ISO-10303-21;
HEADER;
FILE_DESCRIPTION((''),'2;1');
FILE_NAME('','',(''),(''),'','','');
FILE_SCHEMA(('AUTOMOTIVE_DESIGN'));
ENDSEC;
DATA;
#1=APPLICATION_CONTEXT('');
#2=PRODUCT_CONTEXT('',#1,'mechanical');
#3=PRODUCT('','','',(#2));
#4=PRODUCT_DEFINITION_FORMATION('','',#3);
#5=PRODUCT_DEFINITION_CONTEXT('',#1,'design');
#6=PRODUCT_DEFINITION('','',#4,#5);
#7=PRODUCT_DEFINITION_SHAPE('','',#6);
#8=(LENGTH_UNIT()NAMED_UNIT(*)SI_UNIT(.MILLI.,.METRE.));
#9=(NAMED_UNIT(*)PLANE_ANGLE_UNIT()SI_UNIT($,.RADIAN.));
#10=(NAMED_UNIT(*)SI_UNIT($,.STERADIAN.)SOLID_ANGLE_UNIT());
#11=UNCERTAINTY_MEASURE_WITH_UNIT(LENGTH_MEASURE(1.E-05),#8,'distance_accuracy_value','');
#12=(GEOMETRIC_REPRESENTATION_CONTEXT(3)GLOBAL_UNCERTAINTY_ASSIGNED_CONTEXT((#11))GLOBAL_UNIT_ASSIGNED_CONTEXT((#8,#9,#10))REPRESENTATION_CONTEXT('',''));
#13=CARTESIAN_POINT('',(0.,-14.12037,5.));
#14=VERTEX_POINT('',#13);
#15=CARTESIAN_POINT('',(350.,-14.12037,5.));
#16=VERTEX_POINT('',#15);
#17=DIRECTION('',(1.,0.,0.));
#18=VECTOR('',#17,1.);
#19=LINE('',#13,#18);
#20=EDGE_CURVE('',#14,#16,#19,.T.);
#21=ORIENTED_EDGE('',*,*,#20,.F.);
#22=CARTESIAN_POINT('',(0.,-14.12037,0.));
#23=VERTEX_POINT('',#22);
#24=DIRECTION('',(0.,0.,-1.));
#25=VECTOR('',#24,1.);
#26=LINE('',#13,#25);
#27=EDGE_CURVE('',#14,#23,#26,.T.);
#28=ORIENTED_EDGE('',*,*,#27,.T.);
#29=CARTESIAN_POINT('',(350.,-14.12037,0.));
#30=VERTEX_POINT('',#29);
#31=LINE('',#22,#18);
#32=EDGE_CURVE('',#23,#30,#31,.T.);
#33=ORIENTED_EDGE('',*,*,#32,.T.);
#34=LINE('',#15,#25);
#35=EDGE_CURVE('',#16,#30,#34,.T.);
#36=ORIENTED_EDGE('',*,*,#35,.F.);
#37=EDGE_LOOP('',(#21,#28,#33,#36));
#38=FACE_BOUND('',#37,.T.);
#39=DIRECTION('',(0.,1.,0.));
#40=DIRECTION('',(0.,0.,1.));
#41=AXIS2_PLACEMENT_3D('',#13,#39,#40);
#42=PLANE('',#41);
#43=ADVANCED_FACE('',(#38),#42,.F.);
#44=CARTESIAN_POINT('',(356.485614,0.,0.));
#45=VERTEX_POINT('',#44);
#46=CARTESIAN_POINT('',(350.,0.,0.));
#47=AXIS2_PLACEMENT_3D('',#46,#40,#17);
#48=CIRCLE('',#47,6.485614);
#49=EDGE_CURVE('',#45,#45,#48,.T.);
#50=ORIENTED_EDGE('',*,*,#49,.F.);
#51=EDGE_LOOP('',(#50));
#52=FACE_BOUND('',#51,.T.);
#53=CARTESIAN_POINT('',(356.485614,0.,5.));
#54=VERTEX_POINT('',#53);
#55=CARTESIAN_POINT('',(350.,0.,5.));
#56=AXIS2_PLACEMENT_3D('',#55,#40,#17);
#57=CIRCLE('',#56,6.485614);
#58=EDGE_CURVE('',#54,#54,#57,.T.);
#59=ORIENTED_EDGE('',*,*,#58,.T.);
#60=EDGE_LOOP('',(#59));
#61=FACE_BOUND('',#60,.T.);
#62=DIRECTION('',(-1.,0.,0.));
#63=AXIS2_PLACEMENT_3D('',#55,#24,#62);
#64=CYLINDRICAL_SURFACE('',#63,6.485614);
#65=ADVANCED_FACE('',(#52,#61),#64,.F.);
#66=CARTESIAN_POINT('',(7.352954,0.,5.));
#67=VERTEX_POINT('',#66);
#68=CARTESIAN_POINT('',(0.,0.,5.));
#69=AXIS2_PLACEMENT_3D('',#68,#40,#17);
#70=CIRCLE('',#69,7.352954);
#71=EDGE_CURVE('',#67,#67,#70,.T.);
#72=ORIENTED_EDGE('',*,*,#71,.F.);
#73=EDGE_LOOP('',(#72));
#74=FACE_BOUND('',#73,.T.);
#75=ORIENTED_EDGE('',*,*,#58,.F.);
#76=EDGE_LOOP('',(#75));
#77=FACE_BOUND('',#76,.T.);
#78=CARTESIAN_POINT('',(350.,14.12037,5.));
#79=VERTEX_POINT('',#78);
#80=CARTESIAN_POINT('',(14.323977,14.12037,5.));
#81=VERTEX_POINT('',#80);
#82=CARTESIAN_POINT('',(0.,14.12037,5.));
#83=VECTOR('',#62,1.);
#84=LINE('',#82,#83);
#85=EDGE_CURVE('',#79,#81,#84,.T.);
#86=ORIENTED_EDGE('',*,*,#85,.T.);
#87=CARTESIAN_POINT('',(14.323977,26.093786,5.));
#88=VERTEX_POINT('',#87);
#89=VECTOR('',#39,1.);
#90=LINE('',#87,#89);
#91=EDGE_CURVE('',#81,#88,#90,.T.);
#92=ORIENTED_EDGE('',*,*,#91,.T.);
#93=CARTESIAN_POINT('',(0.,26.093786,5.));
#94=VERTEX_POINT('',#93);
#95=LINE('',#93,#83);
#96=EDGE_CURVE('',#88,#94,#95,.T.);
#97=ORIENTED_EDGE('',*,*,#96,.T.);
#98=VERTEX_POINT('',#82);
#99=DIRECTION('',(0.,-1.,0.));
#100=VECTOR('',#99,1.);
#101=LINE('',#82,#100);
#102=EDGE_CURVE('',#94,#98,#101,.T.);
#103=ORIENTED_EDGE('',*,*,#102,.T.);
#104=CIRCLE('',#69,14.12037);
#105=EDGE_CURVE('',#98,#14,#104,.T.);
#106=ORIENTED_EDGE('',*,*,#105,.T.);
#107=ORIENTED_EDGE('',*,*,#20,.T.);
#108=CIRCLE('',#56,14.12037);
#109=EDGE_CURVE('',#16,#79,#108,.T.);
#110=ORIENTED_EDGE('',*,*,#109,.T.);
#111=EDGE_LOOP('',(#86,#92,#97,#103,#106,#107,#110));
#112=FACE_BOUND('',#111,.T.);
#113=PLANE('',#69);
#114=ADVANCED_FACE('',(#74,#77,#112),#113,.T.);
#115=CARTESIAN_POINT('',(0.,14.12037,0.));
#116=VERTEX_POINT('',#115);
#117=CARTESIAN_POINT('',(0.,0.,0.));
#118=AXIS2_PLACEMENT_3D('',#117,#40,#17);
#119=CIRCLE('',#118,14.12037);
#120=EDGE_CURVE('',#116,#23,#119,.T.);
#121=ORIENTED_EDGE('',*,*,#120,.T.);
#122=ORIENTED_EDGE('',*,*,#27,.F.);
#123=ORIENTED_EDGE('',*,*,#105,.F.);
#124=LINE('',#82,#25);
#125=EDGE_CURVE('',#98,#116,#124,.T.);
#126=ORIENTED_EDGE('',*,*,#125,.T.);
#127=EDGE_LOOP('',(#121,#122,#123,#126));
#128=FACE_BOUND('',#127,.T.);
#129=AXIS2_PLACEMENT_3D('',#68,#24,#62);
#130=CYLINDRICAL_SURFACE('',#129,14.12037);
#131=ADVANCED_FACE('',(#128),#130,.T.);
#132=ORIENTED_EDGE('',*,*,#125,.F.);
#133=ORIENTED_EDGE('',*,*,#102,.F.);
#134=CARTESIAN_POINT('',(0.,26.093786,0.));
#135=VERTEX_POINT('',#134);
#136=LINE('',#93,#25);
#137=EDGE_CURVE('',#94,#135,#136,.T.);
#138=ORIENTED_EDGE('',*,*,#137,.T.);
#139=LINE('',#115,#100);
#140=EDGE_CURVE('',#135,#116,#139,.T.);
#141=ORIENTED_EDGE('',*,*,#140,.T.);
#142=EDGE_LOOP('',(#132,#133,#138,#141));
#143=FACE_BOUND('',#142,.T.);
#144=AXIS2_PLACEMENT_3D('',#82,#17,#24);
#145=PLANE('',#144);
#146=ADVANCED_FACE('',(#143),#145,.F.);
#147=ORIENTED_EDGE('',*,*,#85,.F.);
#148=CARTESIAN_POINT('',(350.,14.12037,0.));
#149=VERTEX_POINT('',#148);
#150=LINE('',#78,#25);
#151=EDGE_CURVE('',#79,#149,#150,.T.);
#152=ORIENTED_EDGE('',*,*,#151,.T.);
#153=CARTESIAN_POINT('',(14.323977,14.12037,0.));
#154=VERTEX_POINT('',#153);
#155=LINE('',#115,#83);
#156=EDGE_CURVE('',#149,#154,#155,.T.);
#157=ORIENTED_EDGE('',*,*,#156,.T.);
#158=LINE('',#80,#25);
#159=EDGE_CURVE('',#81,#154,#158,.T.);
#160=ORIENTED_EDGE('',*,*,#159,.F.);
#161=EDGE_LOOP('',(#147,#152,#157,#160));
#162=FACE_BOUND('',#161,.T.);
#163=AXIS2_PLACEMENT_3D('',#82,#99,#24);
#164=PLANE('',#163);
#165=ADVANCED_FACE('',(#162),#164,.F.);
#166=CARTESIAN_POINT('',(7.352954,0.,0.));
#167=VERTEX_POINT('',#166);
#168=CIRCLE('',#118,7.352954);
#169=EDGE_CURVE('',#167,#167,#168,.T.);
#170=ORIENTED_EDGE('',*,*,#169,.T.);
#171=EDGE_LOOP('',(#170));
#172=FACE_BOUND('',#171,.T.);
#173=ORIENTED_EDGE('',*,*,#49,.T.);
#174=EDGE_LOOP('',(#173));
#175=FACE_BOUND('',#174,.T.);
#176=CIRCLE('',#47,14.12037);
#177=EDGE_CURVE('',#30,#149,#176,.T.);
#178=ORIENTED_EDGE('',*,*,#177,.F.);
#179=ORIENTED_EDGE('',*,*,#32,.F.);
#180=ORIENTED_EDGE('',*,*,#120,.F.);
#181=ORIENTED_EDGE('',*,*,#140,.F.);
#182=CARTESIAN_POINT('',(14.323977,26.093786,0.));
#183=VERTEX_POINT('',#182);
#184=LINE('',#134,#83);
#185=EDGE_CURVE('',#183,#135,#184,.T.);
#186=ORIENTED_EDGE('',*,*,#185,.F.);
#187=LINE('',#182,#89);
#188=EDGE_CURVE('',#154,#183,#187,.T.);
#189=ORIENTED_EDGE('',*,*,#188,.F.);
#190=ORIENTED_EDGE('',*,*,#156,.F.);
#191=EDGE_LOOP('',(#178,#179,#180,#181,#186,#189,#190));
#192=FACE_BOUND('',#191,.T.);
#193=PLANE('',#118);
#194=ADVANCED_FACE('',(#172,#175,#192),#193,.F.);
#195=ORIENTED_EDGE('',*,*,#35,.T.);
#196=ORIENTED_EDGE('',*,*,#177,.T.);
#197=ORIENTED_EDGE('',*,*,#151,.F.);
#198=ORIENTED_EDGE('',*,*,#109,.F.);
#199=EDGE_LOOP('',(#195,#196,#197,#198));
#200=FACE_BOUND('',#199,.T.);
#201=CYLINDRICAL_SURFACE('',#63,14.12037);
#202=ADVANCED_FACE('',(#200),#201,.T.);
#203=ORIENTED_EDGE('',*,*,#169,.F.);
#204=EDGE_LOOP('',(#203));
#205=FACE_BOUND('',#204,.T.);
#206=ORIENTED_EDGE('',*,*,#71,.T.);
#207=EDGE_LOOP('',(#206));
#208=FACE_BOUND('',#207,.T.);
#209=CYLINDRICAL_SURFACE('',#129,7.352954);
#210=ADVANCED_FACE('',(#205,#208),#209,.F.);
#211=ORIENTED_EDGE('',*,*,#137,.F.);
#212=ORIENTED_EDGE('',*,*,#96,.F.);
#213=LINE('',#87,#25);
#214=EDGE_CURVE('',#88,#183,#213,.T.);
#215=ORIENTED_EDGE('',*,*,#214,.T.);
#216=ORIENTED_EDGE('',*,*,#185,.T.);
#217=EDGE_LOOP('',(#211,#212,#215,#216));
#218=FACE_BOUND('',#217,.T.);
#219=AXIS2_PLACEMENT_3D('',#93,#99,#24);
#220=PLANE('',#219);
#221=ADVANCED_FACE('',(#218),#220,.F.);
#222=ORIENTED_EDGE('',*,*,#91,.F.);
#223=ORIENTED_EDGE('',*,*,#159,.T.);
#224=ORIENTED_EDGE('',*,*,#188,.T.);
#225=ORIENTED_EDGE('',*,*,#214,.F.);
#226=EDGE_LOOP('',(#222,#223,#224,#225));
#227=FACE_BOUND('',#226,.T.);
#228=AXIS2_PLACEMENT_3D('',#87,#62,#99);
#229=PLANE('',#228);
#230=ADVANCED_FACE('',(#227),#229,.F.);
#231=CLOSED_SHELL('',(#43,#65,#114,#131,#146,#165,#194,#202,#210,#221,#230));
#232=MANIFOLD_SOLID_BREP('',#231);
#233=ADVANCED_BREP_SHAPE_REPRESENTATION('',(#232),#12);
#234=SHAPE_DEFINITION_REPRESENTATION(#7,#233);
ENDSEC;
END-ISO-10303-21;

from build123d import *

# Parameters (mm, degrees)
SKETCH_1_R      = 7.352953784
SKETCH_1_R_2    = 6.485613762
EXTRUDE_1_DEPTH = 5
SKETCH_2_W      = 14.323977173
SKETCH_2_H      = 11.973415737
EXTRUDE_2_DEPTH = 5


with BuildPart() as part:
    # 草图1 → 凸台-拉伸1 (new body)
    with BuildSketch(Plane.XY):
        with BuildLine():
            Line((0, 14.12037037), (350, 14.12037037))
            ThreePointArc((350, 14.12037037), (364.12037037, 0), (350, -14.12037037))
            Line((350, -14.12037037), (0, -14.12037037))
            ThreePointArc((0, -14.12037037), (-14.12037037, 0), (0, 14.12037037))
        make_face()
        Circle(SKETCH_1_R, mode=Mode.SUBTRACT)
        with Locations((350, 0)):
            Circle(SKETCH_1_R_2, mode=Mode.SUBTRACT)
    extrude(amount=EXTRUDE_1_DEPTH)

    # 草图2 → 凸台-拉伸2 (add)
    with BuildSketch(Plane.XY):
        with Locations((7.161988587, 20.107078239)):
            Rectangle(SKETCH_2_W, SKETCH_2_H)
    extrude(amount=EXTRUDE_2_DEPTH)


solid = part.part
